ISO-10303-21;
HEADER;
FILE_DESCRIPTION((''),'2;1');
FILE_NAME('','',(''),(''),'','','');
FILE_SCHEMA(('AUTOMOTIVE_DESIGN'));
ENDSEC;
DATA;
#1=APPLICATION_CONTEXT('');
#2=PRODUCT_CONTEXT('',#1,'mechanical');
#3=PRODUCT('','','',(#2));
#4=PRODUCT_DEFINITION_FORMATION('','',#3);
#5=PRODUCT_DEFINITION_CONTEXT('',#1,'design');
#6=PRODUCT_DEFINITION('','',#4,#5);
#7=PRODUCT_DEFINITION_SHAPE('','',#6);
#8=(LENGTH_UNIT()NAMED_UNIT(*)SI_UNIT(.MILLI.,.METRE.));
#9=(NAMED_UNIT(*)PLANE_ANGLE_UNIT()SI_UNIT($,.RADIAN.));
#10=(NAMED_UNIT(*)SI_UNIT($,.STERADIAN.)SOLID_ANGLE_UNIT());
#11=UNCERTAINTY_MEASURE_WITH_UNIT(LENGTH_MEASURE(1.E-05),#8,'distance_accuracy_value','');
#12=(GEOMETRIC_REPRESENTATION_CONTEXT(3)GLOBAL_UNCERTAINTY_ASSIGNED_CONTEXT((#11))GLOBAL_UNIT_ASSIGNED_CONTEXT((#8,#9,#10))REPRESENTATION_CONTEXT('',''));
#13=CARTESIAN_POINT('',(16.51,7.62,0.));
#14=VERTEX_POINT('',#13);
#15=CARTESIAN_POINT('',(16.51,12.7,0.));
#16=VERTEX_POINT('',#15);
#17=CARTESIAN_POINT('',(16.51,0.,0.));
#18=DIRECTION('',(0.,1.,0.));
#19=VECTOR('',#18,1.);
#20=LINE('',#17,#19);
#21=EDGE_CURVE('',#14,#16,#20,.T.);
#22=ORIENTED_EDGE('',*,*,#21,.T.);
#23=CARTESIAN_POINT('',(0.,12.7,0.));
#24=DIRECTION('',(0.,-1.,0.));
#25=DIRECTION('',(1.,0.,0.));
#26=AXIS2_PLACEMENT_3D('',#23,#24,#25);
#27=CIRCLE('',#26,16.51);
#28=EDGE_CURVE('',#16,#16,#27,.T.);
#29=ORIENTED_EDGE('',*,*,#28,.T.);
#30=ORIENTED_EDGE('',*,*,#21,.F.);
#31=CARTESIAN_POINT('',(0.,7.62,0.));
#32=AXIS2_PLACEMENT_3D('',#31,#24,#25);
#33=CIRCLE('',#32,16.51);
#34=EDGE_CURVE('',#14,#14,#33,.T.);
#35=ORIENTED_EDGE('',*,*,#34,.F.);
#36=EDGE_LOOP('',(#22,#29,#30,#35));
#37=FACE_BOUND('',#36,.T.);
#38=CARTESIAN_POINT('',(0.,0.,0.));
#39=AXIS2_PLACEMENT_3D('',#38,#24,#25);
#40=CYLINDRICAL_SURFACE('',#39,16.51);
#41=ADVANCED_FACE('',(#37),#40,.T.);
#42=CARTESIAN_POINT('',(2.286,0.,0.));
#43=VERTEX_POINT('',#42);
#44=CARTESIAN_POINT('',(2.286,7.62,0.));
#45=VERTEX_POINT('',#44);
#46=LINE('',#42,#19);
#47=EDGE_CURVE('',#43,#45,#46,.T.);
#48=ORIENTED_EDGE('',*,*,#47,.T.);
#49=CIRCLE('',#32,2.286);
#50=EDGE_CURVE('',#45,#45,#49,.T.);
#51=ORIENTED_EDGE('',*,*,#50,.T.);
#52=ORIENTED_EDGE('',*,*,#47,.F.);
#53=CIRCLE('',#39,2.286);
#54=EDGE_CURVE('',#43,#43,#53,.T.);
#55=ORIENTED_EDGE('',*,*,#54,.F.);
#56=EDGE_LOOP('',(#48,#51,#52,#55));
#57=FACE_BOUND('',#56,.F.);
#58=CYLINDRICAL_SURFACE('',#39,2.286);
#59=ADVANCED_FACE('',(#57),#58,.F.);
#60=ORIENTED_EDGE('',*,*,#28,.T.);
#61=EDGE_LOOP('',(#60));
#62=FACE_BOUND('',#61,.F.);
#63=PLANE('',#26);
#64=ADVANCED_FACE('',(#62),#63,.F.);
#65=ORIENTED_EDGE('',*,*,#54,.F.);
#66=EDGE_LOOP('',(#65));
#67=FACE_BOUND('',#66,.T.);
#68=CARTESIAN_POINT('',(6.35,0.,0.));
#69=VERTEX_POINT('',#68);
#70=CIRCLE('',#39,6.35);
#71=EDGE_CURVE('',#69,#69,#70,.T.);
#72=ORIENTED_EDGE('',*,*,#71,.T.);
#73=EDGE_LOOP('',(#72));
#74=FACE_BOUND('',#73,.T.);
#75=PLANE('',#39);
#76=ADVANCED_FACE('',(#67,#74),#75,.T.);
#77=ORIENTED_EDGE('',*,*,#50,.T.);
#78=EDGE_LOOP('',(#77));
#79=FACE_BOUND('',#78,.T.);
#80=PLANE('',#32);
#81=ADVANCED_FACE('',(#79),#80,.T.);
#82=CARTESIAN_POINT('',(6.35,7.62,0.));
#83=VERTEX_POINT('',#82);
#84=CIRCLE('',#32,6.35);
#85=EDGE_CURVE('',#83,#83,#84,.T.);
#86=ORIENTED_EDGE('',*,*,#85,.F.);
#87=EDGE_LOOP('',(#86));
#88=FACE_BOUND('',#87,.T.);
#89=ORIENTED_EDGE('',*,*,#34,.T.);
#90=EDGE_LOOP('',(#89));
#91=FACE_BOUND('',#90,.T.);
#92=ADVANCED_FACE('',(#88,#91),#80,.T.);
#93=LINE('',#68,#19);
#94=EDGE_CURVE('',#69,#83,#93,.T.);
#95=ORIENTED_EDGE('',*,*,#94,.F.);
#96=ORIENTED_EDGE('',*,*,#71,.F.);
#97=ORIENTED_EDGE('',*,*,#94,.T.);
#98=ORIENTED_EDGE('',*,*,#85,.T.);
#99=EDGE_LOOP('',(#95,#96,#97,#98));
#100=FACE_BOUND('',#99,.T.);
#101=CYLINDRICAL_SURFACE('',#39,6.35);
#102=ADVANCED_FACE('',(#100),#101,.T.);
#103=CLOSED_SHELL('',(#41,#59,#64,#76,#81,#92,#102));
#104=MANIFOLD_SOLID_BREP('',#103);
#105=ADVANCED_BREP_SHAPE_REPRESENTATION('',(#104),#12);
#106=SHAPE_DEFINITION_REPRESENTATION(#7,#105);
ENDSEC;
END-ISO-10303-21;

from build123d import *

# Parameters (mm, degrees)
F0_R     = 16.51
F1_DEPTH = 12.7
F2_R     = 2.286
F3_DEPTH = 7.62
F4_R     = 16.51
F4_R_2   = 6.35
F5_DEPTH = 7.62


with BuildPart() as f1:
    # F0 (on Front) → F1 (new body)
    with BuildSketch(Plane.XZ):
        Circle(F0_R)
    extrude(amount=-F1_DEPTH)

    # F2 (on face) → F3 (cut)
    with BuildSketch(Plane.XZ):
        Circle(F2_R)
    extrude(amount=-F3_DEPTH, mode=Mode.SUBTRACT)

    # F4 (on face) → F5 (cut)
    with BuildSketch(Plane.XZ):
        Circle(F4_R)
        Circle(F4_R_2, mode=Mode.SUBTRACT)
    extrude(amount=-F5_DEPTH, mode=Mode.SUBTRACT)


solid = f1.part
